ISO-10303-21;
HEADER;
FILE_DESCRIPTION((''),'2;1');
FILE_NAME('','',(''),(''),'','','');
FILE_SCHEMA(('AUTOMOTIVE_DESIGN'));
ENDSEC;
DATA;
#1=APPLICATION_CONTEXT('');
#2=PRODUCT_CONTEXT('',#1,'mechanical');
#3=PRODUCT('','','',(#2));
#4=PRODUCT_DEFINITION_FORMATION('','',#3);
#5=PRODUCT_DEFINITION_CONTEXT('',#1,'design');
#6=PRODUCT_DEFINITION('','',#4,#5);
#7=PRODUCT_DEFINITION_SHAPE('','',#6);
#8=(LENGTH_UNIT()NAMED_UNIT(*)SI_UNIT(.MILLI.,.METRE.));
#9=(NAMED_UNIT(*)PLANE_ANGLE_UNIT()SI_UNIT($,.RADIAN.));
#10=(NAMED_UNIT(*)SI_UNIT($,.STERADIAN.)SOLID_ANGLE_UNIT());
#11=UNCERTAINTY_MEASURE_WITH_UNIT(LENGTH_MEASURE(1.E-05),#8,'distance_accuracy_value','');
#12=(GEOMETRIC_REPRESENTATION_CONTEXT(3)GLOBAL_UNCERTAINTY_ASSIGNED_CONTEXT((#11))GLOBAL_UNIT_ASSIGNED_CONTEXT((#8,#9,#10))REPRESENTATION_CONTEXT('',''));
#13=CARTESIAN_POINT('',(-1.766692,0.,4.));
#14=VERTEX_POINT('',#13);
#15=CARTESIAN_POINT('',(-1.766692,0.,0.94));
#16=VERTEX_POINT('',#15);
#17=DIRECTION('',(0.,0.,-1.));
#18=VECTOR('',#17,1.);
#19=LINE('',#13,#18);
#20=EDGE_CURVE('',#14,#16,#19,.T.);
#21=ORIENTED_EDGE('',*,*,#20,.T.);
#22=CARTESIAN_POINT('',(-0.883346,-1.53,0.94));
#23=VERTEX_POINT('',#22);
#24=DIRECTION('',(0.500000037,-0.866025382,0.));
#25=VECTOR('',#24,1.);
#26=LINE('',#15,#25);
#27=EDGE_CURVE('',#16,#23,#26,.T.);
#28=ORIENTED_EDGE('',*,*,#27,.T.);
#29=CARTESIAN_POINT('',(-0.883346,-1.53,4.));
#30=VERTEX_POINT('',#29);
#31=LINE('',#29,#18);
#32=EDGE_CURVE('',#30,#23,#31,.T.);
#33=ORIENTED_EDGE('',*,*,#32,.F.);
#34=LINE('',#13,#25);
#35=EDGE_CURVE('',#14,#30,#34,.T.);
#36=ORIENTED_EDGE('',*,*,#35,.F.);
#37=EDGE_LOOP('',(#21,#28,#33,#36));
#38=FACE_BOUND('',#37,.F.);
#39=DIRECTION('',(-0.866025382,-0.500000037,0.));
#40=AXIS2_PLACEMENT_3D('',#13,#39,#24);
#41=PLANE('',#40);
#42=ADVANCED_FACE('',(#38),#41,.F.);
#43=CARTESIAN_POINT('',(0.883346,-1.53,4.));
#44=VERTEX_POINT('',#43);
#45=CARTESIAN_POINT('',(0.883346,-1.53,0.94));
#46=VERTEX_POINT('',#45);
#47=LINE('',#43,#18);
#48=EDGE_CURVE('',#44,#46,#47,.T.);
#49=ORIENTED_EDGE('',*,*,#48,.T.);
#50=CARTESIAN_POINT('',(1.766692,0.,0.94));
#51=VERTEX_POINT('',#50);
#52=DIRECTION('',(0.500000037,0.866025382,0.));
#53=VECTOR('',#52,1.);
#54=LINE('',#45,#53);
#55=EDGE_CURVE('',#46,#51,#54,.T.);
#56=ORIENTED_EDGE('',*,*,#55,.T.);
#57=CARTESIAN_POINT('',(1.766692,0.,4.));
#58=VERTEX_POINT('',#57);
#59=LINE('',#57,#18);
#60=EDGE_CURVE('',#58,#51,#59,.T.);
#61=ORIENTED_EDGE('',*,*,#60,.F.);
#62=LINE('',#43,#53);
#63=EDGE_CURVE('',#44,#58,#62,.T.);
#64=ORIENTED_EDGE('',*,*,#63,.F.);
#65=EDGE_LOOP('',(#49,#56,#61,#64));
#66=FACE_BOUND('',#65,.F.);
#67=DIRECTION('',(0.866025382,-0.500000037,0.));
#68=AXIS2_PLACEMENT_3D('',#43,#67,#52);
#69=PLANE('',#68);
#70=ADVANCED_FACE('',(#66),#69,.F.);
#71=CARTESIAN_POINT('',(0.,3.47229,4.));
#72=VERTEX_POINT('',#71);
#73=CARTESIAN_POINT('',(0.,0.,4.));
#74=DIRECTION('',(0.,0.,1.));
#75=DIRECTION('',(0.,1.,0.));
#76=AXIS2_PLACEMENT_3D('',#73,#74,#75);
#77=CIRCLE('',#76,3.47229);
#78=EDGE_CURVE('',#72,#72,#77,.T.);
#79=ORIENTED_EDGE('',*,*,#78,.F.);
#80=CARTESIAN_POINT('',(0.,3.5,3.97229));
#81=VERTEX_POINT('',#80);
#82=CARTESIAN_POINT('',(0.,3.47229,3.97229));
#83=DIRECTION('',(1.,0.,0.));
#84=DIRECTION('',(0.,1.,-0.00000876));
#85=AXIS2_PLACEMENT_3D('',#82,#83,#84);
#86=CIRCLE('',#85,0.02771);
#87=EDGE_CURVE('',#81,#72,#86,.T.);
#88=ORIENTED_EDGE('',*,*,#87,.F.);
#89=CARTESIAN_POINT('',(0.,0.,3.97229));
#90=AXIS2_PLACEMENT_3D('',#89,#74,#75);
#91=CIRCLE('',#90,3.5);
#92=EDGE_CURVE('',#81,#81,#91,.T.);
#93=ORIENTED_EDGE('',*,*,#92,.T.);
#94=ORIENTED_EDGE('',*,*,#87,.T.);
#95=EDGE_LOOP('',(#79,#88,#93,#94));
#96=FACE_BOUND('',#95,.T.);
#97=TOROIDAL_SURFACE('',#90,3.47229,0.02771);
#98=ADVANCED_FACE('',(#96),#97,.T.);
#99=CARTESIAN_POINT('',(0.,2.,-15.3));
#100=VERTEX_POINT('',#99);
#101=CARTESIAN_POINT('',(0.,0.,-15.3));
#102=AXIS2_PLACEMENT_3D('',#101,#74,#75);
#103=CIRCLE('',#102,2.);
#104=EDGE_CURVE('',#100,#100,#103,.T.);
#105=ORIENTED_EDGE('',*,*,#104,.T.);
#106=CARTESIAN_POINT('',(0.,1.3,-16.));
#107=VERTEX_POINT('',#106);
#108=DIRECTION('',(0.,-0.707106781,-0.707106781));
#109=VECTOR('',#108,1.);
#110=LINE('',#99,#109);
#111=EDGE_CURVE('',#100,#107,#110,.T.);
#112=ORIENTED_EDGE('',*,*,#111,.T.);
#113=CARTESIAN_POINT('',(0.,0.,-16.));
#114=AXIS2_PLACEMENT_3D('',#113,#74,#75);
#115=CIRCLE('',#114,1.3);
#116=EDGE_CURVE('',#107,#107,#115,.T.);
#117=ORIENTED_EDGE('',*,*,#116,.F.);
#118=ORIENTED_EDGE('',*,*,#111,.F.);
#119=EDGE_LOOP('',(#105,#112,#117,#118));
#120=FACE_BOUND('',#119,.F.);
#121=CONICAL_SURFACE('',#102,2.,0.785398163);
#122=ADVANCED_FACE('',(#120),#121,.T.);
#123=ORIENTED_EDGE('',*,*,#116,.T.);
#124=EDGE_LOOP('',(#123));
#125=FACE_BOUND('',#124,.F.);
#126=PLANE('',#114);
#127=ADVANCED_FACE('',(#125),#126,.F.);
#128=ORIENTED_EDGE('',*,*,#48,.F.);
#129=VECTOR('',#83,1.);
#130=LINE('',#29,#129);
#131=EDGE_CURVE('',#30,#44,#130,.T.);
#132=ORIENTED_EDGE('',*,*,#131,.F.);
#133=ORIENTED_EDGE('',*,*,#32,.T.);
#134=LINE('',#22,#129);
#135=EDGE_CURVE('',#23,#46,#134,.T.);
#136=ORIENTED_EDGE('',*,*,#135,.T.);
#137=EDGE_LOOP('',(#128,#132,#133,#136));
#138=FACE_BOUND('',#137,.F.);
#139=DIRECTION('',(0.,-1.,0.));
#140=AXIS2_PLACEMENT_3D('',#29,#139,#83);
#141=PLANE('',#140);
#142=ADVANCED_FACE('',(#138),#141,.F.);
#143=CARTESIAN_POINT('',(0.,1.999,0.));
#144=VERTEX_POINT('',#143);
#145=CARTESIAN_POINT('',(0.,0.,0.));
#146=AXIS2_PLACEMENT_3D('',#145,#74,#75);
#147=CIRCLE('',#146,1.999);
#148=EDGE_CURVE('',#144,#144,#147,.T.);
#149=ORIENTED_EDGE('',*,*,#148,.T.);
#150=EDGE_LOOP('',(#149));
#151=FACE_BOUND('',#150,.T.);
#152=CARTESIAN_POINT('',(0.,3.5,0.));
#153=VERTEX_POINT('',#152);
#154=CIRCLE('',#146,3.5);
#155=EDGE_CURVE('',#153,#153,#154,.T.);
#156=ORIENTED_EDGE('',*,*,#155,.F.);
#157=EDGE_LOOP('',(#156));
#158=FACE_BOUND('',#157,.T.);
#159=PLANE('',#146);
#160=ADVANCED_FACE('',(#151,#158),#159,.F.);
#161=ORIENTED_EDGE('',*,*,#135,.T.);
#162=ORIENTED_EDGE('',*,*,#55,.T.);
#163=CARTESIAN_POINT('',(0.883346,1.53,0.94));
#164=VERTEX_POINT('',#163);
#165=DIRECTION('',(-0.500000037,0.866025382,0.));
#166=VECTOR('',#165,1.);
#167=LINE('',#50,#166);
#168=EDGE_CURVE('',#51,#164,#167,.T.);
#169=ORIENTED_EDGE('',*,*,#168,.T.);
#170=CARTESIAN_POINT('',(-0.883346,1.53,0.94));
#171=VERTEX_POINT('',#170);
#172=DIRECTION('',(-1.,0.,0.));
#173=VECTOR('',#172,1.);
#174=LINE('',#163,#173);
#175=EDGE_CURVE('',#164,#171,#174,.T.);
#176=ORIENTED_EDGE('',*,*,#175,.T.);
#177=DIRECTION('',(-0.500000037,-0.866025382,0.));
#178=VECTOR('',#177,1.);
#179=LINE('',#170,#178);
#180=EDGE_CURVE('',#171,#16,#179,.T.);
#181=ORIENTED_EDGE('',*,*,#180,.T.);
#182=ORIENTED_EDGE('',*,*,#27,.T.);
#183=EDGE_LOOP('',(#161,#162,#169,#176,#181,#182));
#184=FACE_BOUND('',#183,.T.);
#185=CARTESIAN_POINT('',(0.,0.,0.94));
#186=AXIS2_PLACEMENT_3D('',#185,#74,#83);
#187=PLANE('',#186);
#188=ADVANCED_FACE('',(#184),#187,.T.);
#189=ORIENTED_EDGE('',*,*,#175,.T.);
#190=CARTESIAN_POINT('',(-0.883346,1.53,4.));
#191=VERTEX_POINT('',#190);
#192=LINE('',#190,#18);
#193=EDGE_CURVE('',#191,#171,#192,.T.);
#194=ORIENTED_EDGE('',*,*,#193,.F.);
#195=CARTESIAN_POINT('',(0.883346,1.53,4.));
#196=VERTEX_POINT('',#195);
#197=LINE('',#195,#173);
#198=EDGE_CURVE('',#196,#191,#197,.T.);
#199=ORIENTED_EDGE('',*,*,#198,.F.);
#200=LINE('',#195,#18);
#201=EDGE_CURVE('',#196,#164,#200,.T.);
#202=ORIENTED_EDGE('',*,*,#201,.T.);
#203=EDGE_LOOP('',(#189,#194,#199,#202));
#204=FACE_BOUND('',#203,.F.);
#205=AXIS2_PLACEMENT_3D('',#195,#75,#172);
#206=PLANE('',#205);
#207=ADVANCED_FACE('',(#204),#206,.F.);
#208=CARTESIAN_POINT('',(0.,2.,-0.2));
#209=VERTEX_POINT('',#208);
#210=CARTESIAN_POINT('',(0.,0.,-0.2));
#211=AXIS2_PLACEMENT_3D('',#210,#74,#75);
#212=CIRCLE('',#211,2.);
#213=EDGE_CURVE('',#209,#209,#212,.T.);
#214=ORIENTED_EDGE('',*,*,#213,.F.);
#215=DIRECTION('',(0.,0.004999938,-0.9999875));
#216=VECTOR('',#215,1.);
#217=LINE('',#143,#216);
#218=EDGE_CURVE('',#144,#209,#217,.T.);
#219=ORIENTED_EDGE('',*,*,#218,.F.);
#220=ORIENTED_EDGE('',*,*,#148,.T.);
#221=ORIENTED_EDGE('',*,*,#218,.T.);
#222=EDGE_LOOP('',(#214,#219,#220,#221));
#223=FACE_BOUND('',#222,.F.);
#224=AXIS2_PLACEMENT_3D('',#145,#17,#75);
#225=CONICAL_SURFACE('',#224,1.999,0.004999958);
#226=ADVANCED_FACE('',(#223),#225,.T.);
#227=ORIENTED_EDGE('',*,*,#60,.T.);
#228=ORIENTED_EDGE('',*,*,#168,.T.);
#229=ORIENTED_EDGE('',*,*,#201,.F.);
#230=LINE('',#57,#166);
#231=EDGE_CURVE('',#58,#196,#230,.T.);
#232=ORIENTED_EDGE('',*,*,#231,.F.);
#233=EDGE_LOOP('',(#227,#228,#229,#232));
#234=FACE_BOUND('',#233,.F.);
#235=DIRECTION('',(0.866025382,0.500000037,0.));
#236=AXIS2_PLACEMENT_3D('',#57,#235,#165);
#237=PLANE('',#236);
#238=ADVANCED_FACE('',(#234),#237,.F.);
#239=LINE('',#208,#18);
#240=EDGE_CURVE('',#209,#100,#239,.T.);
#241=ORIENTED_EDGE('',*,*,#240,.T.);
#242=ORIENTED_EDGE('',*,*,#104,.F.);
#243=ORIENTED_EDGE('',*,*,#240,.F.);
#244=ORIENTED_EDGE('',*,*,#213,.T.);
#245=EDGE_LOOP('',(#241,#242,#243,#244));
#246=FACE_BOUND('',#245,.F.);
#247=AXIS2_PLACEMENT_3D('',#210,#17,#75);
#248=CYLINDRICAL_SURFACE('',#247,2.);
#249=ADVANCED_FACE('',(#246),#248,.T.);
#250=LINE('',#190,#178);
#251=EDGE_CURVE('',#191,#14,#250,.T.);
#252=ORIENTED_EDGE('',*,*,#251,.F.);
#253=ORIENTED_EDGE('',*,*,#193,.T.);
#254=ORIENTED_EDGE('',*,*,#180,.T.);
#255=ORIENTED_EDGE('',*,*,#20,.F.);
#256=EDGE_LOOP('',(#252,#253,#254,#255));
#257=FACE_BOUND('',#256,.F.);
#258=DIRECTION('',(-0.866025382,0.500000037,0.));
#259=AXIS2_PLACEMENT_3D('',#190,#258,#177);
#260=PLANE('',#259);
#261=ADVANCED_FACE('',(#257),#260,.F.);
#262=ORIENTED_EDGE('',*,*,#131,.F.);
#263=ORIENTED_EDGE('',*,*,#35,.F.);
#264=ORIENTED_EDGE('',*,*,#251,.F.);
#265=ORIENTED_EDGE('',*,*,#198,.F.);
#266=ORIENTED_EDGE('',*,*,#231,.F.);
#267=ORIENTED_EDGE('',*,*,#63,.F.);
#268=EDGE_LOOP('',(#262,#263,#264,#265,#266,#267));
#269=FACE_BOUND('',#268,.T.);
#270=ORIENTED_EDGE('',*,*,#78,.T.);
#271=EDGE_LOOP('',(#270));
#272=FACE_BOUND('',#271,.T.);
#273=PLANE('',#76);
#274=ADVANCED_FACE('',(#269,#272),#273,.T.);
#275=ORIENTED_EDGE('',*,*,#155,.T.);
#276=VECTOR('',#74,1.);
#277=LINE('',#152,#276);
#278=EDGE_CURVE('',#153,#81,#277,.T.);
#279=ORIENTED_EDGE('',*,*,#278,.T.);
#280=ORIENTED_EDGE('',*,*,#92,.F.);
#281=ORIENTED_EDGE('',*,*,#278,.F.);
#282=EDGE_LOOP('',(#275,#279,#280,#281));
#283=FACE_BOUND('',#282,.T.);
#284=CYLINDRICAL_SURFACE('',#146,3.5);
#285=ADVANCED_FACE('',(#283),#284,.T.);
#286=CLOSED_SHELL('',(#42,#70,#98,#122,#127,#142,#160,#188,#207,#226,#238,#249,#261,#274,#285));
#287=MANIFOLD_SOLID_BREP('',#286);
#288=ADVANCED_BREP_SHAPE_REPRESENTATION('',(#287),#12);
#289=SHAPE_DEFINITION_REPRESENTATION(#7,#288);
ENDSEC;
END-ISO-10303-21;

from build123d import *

# Parameters (mm, degrees)
POCKET_DEPTH = 3.06


with BuildPart() as part:
    # Sketch → Revolve (revolve)
    with BuildSketch(Plane.YZ):
        with BuildLine():
            Line((1.999, 0), (3.5, 0))
            Line((3.5, 0), (3.5, 3.97229))
            ThreePointArc((3.5, 3.97229), (3.491884, 3.991884), (3.47229, 4))
            Line((3.47229, 4), (0, 4))
            Line((0, -16), (0, 4))
            Line((1.3, -16), (0, -16))
            Line((2, -15.3), (1.3, -16))
            Line((2, -0.2), (2, -15.3))
            Line((1.999, 0), (2, -0.2))
        make_face()
    revolve(axis=Axis((0, 0, 0), (0, 0, 1)))

    # Sketch001 → Pocket (cut)
    with BuildSketch(Plane.XY.offset(4)):
        Polygon((1.766692, 0), (0.883346, 1.53), (-0.883346, 1.53), (-1.766692, 0), (-0.883346, -1.53), (0.883346, -1.53), align=None)
    extrude(amount=-POCKET_DEPTH, mode=Mode.SUBTRACT)


solid = part.part
